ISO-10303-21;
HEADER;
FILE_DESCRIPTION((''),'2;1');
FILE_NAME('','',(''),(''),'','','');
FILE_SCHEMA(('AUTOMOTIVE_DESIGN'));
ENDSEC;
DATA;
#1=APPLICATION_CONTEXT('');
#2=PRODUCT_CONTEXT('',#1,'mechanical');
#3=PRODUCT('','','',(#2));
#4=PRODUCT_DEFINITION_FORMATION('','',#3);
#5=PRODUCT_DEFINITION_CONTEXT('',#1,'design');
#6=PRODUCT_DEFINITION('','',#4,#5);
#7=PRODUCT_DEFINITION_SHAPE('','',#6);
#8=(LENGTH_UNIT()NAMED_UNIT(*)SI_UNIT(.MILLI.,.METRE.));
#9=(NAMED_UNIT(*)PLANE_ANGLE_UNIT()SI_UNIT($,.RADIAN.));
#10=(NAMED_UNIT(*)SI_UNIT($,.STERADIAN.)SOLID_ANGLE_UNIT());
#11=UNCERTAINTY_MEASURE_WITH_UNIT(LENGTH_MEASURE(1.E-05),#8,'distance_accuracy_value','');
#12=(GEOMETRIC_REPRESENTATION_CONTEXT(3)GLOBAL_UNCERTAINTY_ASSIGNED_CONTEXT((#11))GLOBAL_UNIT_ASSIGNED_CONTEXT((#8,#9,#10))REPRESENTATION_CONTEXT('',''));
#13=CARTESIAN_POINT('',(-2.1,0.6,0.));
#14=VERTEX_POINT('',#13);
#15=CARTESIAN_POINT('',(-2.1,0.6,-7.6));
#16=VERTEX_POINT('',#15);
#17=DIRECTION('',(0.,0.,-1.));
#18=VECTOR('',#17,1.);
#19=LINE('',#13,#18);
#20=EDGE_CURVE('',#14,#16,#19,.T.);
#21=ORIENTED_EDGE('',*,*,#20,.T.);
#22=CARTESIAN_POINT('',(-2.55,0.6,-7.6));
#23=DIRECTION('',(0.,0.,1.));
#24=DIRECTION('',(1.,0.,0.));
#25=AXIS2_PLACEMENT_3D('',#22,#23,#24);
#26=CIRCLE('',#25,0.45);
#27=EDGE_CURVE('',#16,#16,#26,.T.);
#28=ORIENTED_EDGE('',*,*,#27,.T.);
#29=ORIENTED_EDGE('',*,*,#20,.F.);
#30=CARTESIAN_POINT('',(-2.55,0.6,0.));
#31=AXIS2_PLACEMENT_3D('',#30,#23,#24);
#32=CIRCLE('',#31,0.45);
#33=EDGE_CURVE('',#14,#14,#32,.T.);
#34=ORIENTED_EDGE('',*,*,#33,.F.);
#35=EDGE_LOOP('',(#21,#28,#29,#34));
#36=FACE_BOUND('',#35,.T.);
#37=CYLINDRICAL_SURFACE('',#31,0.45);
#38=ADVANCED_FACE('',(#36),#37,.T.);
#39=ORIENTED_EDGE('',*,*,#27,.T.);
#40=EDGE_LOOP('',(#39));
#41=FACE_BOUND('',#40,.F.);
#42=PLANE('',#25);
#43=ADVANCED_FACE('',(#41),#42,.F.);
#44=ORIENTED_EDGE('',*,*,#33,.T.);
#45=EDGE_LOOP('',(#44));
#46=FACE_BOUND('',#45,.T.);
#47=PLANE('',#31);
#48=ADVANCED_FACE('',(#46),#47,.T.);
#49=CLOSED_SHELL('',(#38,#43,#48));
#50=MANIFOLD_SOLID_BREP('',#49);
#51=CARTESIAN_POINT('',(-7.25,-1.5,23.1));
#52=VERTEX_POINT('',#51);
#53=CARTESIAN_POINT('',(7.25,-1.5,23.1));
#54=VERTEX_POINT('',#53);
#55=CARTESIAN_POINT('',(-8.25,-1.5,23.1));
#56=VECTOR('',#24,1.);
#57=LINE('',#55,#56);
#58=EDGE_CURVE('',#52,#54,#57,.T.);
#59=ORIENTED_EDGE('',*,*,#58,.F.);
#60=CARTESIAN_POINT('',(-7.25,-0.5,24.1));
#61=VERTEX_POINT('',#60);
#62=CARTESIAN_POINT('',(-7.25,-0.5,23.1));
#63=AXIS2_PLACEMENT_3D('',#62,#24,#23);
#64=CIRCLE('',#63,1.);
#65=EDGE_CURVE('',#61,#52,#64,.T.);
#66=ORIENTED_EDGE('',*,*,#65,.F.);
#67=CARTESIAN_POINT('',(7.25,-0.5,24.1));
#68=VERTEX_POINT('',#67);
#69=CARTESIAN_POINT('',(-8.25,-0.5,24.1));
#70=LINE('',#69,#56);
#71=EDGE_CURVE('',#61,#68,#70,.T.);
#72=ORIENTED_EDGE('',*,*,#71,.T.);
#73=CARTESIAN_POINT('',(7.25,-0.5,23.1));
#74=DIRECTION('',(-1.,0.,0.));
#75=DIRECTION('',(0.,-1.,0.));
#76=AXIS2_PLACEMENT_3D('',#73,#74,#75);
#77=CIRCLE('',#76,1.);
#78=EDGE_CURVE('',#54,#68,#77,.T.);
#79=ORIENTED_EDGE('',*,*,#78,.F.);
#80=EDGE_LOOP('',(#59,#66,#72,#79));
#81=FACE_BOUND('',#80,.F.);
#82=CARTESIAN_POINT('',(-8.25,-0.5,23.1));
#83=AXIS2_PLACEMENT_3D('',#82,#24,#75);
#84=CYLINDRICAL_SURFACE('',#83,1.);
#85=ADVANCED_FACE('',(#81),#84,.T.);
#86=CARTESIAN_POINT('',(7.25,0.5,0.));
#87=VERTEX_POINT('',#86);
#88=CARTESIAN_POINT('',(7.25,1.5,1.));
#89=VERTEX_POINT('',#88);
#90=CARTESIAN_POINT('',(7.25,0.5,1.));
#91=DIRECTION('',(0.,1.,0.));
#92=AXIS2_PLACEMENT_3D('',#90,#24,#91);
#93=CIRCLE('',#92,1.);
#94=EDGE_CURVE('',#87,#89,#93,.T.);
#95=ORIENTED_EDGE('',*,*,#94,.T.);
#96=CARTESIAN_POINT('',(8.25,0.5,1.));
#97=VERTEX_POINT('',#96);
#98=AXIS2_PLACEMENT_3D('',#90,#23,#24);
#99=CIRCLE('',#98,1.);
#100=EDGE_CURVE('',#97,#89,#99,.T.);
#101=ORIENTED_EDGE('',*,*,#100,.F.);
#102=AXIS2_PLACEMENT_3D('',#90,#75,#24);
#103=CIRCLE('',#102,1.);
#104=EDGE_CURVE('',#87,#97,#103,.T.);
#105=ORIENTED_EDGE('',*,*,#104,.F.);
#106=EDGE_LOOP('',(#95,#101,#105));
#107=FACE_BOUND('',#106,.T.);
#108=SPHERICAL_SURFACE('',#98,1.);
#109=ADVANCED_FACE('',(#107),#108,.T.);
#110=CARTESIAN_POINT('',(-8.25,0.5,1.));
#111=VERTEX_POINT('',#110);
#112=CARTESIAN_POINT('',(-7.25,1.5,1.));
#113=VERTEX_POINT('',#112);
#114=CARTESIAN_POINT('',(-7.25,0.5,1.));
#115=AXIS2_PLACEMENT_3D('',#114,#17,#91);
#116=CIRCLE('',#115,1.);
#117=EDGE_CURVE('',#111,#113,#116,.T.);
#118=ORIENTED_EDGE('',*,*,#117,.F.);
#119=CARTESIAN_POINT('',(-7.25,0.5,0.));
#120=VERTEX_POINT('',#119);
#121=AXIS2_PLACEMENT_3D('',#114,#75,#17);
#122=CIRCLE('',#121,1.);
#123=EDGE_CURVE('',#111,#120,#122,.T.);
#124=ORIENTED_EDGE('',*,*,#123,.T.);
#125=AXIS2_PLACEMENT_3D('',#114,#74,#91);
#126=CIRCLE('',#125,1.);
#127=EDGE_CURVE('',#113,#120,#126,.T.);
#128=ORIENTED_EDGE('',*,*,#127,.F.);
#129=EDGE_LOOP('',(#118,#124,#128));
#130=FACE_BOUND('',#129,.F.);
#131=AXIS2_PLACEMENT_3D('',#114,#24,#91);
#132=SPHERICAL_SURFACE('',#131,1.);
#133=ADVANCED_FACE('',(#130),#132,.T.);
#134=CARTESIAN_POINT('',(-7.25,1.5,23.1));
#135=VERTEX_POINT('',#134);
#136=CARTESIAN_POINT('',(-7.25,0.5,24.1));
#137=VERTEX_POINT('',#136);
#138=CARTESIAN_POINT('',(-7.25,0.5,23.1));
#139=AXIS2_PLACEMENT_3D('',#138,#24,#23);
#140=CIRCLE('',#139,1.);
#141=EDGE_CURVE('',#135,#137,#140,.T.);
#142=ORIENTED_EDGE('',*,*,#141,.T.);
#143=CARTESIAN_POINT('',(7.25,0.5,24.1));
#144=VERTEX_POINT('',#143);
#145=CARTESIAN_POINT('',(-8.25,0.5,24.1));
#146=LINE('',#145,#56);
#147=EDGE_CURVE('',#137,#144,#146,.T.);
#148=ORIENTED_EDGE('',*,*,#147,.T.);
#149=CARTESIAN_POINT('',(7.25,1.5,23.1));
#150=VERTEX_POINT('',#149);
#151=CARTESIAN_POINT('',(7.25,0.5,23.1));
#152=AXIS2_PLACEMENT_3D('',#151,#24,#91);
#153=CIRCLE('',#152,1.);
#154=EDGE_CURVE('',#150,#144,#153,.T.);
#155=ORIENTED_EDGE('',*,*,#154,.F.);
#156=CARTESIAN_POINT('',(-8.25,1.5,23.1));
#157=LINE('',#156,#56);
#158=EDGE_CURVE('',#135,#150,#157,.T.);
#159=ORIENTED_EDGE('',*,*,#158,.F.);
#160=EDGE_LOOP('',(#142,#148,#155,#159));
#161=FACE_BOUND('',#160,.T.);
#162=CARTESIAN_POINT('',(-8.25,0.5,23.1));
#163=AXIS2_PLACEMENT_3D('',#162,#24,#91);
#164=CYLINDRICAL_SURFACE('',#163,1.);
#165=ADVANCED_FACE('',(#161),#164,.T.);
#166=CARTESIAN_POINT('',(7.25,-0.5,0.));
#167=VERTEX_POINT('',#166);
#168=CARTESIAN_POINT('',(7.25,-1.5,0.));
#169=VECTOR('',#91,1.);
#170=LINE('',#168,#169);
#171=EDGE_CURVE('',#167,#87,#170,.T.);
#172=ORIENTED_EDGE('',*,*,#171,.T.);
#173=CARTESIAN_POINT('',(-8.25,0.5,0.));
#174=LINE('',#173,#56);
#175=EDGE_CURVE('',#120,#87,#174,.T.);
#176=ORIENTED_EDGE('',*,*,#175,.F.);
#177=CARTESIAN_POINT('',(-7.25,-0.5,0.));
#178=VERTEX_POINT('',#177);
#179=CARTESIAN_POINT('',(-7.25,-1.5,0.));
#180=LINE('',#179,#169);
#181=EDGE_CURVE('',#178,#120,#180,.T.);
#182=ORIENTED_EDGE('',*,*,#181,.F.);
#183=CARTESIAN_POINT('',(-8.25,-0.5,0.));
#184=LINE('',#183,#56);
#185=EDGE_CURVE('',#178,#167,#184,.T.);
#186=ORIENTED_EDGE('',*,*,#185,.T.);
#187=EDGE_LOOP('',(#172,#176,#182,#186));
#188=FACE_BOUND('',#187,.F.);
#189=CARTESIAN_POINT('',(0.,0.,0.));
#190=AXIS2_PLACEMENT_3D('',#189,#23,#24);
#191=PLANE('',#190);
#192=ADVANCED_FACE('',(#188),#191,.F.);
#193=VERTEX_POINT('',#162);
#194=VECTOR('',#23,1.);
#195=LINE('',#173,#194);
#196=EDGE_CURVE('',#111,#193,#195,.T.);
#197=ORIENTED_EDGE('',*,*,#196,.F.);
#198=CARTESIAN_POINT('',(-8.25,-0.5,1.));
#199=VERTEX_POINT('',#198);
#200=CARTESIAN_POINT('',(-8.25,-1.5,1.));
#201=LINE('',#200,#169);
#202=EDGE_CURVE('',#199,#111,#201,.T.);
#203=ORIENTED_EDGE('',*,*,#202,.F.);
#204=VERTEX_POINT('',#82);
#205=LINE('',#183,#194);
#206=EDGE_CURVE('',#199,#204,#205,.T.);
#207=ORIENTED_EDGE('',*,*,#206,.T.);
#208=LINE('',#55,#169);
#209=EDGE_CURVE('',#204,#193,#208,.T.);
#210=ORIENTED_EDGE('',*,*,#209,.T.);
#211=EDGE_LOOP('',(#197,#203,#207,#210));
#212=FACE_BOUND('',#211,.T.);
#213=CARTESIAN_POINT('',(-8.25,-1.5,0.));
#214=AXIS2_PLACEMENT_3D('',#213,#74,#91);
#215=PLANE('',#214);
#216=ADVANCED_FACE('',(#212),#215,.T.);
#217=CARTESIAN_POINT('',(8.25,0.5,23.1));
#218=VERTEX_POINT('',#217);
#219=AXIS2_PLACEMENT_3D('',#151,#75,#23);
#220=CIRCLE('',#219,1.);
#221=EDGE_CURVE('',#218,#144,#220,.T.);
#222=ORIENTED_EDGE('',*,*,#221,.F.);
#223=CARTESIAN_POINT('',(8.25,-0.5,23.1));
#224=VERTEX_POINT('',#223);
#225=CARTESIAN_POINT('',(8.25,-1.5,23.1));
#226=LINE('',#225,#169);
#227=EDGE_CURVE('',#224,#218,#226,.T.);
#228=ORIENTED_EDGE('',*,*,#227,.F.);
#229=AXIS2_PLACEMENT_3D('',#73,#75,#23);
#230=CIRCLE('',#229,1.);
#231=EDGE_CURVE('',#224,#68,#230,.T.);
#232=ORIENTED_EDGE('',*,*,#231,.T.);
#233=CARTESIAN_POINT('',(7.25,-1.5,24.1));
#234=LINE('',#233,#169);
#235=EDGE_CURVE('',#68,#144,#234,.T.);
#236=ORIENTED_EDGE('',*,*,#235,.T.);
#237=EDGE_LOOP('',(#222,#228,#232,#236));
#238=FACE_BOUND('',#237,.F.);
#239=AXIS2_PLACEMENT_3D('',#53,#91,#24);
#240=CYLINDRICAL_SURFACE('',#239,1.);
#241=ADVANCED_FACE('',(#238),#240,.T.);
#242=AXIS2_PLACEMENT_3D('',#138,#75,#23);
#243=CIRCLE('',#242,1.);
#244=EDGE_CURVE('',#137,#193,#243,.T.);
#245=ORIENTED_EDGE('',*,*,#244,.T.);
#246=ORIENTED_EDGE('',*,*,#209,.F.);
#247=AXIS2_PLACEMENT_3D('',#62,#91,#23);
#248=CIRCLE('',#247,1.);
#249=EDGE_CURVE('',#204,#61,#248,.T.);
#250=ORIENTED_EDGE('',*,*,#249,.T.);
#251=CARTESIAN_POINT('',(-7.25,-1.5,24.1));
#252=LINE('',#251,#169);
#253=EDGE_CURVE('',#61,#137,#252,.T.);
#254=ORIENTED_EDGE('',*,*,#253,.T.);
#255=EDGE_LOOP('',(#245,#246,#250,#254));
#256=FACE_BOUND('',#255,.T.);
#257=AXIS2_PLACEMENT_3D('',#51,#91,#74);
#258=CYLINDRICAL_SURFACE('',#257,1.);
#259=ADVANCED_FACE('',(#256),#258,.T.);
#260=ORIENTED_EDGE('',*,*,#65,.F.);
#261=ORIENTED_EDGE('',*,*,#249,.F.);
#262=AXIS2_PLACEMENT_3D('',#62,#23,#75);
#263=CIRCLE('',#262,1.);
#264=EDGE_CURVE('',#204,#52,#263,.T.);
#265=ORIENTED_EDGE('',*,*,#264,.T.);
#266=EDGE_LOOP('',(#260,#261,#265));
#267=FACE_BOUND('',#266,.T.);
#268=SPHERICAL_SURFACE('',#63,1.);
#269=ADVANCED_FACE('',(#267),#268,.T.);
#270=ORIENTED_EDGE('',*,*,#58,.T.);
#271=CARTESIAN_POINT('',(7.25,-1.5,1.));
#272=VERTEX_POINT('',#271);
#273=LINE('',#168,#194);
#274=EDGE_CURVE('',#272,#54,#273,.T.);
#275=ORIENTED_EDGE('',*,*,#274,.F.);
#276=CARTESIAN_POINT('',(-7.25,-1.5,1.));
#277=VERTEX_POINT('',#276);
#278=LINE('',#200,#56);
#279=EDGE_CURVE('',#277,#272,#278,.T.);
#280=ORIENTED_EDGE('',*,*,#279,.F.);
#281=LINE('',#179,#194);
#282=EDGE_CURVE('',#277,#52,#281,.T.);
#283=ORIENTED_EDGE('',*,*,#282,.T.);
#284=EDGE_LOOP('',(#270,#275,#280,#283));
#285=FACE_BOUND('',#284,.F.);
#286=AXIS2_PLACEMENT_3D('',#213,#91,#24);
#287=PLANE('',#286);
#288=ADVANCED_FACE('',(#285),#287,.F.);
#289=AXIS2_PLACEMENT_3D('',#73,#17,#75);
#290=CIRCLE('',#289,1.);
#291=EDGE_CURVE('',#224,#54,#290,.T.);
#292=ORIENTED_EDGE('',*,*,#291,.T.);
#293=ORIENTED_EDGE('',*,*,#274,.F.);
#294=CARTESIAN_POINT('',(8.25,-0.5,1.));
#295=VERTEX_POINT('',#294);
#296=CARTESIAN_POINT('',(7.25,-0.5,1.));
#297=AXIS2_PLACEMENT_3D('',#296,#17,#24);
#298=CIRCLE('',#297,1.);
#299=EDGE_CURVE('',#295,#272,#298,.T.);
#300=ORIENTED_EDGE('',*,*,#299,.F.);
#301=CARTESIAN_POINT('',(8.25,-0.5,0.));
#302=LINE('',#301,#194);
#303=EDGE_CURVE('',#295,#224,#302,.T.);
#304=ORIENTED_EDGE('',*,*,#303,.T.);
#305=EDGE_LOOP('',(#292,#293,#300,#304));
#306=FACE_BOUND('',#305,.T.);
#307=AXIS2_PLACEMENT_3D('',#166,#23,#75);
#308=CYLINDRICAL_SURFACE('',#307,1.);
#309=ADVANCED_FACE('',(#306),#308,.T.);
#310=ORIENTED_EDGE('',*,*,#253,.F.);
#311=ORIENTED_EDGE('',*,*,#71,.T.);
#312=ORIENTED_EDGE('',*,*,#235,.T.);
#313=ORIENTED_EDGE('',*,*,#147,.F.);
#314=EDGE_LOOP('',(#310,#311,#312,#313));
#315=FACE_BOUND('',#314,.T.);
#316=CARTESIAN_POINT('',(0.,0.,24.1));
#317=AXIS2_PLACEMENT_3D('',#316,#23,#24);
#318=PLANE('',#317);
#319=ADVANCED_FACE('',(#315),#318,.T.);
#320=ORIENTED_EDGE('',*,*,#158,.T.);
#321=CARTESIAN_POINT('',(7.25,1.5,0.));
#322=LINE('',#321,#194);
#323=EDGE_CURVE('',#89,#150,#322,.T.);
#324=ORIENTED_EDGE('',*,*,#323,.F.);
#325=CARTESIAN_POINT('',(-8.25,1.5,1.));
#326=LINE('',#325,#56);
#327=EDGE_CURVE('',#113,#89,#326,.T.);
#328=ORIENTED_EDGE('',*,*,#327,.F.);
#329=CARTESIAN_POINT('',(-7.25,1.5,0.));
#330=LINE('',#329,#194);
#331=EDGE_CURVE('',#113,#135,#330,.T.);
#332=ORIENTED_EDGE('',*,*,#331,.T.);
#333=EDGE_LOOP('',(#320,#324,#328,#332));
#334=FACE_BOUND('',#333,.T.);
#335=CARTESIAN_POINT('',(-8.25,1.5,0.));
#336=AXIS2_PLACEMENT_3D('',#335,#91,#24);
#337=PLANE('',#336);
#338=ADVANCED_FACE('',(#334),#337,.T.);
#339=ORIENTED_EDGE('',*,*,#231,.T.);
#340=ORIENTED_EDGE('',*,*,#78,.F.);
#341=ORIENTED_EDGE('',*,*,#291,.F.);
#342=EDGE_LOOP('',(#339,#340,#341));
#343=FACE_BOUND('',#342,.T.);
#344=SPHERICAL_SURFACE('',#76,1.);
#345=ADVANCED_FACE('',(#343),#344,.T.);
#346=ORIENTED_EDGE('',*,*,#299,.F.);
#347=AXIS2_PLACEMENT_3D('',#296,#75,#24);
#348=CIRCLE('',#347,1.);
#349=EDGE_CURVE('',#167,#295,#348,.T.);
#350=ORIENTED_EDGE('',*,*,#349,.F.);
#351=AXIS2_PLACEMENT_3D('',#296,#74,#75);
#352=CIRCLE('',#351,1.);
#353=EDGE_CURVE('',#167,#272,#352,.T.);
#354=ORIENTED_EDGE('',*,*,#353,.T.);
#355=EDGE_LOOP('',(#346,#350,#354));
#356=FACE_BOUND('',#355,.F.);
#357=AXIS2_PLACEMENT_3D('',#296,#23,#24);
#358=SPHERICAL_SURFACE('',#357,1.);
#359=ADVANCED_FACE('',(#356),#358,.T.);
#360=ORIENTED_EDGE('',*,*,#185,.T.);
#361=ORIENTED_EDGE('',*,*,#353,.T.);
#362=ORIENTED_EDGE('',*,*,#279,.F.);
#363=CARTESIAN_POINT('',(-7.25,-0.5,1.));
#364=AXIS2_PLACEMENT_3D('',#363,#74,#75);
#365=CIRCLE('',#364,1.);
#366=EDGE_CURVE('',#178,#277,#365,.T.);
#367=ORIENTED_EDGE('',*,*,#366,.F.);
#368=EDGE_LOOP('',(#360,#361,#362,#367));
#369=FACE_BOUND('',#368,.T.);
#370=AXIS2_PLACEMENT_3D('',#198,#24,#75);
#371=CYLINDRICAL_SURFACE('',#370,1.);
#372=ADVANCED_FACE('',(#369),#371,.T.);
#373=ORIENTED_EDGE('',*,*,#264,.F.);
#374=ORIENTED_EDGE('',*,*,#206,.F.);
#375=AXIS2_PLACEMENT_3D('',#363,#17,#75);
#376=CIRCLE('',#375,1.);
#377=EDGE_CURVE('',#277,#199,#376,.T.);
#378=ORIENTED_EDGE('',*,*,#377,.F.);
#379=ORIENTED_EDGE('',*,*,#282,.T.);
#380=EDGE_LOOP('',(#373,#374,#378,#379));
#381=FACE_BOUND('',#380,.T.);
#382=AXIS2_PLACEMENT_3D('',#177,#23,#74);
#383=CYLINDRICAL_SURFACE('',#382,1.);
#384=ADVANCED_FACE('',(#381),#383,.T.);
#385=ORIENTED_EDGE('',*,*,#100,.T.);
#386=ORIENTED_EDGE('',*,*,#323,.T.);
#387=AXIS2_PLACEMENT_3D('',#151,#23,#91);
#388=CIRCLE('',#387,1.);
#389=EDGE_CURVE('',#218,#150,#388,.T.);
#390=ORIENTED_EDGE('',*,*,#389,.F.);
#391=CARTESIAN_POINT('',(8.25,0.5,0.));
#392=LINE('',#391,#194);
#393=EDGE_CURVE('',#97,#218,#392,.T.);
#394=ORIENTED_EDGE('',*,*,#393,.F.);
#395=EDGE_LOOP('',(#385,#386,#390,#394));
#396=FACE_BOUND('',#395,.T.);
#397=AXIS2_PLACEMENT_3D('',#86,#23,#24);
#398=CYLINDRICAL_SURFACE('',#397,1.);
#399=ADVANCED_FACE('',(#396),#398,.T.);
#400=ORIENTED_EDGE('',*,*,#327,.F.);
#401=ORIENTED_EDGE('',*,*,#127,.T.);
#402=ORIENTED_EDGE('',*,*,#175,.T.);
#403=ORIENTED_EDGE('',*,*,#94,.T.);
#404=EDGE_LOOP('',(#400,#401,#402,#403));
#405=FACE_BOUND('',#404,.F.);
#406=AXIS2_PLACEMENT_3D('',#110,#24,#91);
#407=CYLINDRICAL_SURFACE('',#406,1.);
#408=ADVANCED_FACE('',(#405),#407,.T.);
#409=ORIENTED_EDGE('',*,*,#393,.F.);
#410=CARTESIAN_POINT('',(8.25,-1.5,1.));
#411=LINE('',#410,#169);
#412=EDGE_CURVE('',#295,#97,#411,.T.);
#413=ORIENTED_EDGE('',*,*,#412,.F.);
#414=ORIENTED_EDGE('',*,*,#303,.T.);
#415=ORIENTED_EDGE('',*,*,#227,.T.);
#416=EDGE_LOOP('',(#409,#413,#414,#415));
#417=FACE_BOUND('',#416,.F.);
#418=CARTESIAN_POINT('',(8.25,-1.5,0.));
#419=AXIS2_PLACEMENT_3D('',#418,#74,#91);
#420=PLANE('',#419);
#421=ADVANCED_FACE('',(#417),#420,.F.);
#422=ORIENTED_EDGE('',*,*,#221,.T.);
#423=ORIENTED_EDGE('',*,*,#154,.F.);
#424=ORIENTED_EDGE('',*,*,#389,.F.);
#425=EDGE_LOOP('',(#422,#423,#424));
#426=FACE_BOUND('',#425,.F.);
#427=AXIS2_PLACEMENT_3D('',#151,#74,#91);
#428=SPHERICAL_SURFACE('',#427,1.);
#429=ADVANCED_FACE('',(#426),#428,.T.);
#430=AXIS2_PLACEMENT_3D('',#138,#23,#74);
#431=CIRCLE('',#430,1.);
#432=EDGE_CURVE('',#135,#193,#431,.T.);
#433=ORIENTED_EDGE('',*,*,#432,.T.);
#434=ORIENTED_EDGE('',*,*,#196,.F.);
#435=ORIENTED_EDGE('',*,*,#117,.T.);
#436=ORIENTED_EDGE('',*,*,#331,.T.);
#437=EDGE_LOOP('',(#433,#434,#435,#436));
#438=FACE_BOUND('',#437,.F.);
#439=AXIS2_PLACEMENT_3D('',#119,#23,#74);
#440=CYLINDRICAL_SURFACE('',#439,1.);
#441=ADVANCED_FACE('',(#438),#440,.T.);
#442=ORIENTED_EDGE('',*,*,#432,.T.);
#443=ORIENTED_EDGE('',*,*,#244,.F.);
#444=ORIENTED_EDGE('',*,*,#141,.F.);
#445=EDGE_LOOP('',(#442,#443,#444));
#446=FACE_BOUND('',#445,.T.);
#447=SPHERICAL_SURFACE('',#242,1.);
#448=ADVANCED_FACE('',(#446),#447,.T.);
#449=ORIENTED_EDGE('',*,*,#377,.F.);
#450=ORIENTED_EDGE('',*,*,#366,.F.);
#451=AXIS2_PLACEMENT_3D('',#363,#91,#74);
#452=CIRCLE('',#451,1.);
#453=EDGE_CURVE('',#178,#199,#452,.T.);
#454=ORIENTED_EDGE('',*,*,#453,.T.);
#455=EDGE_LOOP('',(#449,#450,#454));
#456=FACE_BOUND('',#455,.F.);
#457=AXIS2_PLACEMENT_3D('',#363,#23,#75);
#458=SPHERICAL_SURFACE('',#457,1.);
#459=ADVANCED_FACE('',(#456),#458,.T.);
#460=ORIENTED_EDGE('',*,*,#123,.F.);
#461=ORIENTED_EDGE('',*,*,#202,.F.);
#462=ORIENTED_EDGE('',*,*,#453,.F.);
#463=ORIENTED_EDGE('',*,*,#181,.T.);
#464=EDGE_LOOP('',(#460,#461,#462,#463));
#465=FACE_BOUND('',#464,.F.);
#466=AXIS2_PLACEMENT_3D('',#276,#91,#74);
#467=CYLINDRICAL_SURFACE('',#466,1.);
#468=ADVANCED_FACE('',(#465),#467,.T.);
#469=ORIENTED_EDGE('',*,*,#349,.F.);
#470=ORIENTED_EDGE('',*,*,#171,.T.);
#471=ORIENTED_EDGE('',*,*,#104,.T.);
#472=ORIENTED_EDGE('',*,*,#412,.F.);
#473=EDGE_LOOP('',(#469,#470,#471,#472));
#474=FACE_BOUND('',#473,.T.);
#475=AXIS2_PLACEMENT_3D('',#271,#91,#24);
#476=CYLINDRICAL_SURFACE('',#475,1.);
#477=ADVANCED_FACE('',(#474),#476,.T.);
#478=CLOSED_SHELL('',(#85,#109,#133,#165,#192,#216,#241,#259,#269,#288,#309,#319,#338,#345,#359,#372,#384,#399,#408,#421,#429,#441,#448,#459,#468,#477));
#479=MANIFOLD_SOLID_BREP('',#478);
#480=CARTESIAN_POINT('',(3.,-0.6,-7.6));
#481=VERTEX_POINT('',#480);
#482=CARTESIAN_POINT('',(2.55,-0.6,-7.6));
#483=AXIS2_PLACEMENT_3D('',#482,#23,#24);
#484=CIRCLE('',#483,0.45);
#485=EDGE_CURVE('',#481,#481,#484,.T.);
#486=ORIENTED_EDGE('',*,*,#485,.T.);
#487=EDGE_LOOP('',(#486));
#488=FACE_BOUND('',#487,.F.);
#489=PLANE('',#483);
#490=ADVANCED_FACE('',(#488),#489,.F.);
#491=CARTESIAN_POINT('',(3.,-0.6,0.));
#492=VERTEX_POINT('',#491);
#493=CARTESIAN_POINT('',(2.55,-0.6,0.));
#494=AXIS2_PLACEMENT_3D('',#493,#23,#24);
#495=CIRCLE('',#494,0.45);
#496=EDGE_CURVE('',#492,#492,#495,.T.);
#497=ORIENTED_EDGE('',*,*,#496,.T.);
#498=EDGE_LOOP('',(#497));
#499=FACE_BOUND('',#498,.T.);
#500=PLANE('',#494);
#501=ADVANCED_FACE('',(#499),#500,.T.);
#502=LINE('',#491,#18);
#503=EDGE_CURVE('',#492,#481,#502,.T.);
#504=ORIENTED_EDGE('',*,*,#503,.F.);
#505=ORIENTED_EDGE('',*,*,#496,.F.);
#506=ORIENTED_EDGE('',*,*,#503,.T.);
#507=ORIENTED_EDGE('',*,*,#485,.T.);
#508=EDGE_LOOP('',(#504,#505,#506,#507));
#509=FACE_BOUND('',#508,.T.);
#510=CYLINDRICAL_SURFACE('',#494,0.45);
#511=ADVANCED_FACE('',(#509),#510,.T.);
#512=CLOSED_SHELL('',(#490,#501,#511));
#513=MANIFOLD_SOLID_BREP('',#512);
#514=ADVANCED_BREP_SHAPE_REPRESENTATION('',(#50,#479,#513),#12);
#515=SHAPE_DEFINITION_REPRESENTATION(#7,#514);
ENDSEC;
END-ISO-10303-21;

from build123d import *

# Parameters (mm, degrees)
SKETCH_R     = 0.45
PAD_DEPTH    = 7.6
SKETCH001_W  = 16.5
SKETCH001_H  = 3
PAD001_DEPTH = 24.1
FILLET_R     = 1


with BuildPart() as piny:
    # Sketch → Pad (new body)
    with BuildSketch(Plane.XY):
        with Locations((2.55, -0.6)):
            Circle(SKETCH_R)
        with Locations((-2.55, 0.6)):
            Circle(SKETCH_R)
    extrude(amount=-PAD_DEPTH)


with BuildPart() as korpus001:
    # Sketch001 → Pad001 (new body)
    with BuildSketch(Plane.XY):
        Rectangle(SKETCH001_W, SKETCH001_H)
    extrude(amount=PAD001_DEPTH)

    # Fillet
    fillet_edges = [korpus001.edges().sort_by_distance(p)[0] for p in [
        (0, -1.5, 24.1),
        (-8.25, 0, 24.1),
        (0, 1.5, 24.1),
        (8.25, -1.5, 12.05),
        (8.25, 1.5, 12.05),
        (-8.25, -1.5, 12.05),
        (8.25, 0, 0),
        (0, -1.5, 0),
        (8.25, 0, 24.1),
        (0, 1.5, 0),
        (-8.25, 1.5, 12.05),
        (-8.25, 0, 0),
    ]]
    fillet(fillet_edges, radius=FILLET_R)


solid = Compound([piny.part, korpus001.part])
